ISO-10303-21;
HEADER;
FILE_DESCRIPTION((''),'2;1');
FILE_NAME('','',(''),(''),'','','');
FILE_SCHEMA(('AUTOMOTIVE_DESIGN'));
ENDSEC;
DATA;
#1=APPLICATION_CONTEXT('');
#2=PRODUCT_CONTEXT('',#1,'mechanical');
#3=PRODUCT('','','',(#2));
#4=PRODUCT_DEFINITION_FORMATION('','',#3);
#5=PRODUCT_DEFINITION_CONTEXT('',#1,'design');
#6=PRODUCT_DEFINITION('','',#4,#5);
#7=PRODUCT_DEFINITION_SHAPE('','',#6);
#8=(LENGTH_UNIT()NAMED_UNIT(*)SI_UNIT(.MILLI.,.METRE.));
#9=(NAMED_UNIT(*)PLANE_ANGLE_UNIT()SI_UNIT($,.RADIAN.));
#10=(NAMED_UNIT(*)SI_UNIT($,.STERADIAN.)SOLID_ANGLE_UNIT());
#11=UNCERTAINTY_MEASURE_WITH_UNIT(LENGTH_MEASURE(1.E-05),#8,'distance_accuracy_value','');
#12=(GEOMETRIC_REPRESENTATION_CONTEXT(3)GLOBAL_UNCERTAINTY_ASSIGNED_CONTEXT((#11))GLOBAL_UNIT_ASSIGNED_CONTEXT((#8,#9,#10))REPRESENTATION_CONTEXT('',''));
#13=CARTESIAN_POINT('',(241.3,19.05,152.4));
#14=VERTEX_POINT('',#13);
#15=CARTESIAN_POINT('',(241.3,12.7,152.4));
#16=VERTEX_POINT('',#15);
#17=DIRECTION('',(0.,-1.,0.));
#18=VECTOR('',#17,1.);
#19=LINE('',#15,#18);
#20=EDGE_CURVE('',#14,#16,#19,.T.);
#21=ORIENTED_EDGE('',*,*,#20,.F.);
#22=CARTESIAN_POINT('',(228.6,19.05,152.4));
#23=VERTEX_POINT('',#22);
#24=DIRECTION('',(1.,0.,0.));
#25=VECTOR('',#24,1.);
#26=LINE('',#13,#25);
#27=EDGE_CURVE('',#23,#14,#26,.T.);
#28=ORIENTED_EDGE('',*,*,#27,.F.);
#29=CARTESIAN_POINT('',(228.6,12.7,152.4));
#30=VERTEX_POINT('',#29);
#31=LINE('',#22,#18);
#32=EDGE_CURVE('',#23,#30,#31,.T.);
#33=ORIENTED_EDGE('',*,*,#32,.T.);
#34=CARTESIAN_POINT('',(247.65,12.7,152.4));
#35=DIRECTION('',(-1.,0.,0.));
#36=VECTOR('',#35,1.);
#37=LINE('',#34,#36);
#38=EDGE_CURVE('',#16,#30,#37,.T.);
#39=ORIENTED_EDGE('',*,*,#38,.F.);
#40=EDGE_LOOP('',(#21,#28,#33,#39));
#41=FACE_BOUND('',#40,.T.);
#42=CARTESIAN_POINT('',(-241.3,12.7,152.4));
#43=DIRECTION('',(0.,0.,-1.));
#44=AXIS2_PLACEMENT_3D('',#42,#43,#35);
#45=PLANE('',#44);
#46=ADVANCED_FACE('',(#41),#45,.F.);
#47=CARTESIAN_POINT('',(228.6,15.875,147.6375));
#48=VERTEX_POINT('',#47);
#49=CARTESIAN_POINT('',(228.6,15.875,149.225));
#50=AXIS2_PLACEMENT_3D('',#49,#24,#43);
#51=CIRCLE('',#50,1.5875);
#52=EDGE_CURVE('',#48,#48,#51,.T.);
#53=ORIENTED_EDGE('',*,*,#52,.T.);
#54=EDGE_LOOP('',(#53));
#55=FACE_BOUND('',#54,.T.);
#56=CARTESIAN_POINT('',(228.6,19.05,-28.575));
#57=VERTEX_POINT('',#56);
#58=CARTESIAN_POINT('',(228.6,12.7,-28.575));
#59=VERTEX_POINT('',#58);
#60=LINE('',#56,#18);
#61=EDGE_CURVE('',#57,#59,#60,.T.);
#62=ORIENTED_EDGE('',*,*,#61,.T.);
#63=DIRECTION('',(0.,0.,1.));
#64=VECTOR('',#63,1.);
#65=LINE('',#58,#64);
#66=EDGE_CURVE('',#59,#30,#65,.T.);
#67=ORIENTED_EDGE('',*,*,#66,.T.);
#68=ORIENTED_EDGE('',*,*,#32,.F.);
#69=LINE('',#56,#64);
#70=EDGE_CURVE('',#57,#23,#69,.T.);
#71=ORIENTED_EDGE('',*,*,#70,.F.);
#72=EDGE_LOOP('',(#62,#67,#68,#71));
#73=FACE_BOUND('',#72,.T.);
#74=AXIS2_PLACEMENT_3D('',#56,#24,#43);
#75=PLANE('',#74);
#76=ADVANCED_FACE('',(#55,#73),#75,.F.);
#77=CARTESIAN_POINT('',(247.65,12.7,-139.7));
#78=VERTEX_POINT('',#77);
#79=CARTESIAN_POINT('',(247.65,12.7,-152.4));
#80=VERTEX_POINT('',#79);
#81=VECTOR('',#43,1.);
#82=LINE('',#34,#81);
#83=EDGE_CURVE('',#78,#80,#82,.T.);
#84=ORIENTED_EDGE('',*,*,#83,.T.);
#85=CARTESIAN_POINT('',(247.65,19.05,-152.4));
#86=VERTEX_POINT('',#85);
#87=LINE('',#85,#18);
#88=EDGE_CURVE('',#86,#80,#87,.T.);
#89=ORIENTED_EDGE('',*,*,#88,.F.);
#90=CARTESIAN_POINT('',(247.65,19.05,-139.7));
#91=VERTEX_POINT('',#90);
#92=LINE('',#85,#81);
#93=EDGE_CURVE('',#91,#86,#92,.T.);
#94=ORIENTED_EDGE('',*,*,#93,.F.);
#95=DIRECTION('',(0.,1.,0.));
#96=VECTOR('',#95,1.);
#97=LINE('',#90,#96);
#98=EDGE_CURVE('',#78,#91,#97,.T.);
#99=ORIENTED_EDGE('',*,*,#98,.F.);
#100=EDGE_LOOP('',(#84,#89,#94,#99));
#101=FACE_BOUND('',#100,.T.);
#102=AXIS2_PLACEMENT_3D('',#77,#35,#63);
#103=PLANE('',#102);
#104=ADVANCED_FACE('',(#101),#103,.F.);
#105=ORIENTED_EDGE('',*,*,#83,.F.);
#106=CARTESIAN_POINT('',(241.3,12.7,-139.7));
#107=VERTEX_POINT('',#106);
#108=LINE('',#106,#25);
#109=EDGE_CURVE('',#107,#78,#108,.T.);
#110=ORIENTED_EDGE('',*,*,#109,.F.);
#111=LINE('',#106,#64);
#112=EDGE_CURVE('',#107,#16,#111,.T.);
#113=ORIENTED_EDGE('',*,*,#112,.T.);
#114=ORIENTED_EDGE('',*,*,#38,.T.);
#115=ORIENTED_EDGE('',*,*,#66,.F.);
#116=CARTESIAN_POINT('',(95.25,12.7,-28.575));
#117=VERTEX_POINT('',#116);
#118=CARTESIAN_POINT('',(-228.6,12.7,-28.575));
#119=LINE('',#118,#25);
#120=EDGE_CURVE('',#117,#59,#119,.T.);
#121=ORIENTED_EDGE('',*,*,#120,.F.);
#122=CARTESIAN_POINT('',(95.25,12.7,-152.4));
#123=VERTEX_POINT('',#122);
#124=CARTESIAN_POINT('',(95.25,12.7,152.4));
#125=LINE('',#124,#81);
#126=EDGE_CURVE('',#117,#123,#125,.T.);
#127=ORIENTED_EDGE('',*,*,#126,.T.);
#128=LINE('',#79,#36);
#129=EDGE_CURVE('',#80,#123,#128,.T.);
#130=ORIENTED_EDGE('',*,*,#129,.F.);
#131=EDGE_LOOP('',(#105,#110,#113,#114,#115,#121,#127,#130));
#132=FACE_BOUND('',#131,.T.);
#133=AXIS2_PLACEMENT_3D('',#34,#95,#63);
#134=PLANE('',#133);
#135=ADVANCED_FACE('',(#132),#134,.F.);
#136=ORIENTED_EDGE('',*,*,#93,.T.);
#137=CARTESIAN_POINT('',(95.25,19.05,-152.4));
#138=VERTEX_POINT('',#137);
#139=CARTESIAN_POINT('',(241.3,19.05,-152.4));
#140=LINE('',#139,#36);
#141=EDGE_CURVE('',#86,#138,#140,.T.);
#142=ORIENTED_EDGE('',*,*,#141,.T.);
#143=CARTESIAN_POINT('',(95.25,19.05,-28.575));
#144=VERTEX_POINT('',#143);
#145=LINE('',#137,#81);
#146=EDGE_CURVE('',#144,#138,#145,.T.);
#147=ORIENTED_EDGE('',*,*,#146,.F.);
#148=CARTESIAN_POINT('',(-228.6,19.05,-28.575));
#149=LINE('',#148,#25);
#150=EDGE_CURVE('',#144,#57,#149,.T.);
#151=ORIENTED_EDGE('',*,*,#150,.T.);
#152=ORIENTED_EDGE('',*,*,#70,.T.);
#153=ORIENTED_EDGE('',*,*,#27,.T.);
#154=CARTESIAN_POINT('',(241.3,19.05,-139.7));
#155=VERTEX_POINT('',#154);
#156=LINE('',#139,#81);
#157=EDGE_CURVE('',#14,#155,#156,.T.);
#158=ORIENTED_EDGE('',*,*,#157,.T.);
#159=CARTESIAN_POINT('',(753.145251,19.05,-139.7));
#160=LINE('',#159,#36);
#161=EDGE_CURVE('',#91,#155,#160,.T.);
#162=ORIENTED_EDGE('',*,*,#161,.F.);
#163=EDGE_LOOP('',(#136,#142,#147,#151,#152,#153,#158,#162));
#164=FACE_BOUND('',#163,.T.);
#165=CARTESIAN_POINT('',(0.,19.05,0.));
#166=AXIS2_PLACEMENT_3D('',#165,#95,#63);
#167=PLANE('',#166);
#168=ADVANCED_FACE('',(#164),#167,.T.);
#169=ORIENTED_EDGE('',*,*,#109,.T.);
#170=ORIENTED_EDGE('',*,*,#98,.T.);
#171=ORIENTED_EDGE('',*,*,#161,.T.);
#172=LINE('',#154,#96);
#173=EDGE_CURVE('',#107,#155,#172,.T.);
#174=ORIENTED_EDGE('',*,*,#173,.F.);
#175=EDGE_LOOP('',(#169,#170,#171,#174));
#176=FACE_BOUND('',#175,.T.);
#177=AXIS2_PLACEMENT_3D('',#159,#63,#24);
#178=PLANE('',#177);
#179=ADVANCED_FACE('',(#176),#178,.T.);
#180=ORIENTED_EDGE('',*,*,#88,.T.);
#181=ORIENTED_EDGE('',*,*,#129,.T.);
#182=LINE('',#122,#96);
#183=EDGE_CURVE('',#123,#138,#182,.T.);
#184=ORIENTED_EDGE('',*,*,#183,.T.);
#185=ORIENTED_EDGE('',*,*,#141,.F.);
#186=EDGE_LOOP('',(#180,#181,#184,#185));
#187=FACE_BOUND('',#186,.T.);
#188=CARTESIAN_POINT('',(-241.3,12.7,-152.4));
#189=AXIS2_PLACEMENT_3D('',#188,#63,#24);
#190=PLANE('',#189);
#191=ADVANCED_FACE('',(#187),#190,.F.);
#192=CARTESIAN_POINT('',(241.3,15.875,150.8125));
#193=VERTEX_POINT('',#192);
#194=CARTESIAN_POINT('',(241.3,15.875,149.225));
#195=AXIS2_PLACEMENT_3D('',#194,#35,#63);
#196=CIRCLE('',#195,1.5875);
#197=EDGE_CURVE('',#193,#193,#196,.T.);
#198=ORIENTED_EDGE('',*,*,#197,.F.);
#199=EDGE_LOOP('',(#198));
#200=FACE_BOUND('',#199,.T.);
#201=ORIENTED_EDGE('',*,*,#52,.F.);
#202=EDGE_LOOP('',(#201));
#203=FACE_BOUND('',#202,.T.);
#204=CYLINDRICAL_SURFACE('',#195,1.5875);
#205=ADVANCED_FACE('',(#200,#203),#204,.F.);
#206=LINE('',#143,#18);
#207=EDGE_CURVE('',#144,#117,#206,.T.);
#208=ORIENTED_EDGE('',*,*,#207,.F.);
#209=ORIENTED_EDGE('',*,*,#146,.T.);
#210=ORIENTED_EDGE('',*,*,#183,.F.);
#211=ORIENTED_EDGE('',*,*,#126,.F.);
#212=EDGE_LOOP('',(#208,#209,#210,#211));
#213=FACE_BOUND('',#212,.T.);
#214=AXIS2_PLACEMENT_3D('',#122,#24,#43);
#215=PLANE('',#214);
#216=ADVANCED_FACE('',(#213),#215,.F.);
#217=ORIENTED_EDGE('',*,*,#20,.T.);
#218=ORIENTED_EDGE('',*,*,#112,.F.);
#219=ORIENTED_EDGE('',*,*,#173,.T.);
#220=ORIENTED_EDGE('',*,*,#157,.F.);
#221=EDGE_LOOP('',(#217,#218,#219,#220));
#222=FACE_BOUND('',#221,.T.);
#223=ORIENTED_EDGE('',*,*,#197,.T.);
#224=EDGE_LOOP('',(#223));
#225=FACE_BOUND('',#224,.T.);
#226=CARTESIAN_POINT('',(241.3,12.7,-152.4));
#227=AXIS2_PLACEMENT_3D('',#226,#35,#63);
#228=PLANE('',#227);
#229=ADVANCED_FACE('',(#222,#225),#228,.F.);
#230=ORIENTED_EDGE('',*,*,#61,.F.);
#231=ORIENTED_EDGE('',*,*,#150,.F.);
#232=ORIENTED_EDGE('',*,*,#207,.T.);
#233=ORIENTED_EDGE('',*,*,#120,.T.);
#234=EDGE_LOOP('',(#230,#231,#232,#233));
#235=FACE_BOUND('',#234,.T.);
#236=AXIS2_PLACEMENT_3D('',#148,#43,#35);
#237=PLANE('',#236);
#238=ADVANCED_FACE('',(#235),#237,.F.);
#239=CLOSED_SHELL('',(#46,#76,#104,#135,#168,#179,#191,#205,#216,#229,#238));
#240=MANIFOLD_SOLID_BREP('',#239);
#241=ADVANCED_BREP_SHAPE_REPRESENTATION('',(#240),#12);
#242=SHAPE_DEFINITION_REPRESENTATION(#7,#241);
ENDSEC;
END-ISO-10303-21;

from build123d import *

# Parameters (mm, degrees)
SKETCH1_W           = 482.6
SKETCH1_H           = 304.8
BOSS_EXTRUDE1_DEPTH = 12.7
BOSS_EXTRUDE2_DEPTH = 6.35
SKETCH3_R           = 1.5875
CUT_EXTRUDE1_DEPTH  = 507.449822292
SKETCH4_W           = 6.35
SKETCH4_H           = 12.7
BOSS_EXTRUDE3_DEPTH = 292.1
SKETCH5_W           = 12.7
SKETCH5_H           = 19.05
BOSS_EXTRUDE4_DEPTH = 6.35
CUT_EXTRUDE2_START  = 6.35
CUT_EXTRUDE2_DEPTH  = 25.4
CUT_EXTRUDE3_START  = -488.95
CUT_EXTRUDE3_DEPTH  = 25.4
BOSS_EXTRUDE5_START = -2.54
BOSS_EXTRUDE5_DEPTH = 7.62
SKETCH13_W          = 304.8
SKETCH13_H          = 12.7
CUT_EXTRUDE4_DEPTH  = 519.566054134
SKETCH17_W          = 369.208963073
SKETCH17_H          = 308.023191689
CUT_EXTRUDE7_DEPTH  = 291.854955261


with BuildPart() as part:
    # Sketch1 → Boss-Extrude1 (new body)
    with BuildSketch(Plane(origin=(0, 0, 0), x_dir=(1, 0, 0), z_dir=(0, 1, 0))):
        Rectangle(SKETCH1_W, SKETCH1_H)
    extrude(amount=BOSS_EXTRUDE1_DEPTH)

    # Sketch2 → Boss-Extrude2 (add)
    with BuildSketch(Plane(origin=(0, 12.7, 0), x_dir=(1, 0, 0), z_dir=(0, 1, 0))):
        Polygon((-241.3, 152.4), (-228.6, 152.4), (228.6, 152.4), (241.3, 152.4), (241.3, -152.4), (228.6, -152.4), (228.6, 28.575), (-228.6, 28.575), (-228.6, -152.4), (-241.3, -152.4), align=None)
    extrude(amount=BOSS_EXTRUDE2_DEPTH)

    # Sketch3 → Cut-Extrude1 (cut, through all)
    with BuildSketch(Plane.ZY.offset(241.3)):
        with Locations((149.225, 15.875)):
            Circle(SKETCH3_R)
    extrude(amount=-CUT_EXTRUDE1_DEPTH, mode=Mode.SUBTRACT)

    # Sketch4 → Boss-Extrude3 (add)
    with BuildSketch(Plane.XY.offset(152.4)):
        with Locations((-244.475, 6.35)):
            Rectangle(SKETCH4_W, SKETCH4_H)
    boss_extrude3 = extrude(amount=-BOSS_EXTRUDE3_DEPTH)

    # Sketch5 → Boss-Extrude4 (add)
    with BuildSketch(Plane.ZY.offset(241.3)):
        with Locations((-146.05, 9.525)):
            Rectangle(SKETCH5_W, SKETCH5_H)
    boss_extrude4 = extrude(amount=BOSS_EXTRUDE4_DEPTH)

    # Mirror1: Boss-Extrude3, Boss-Extrude4 across plane
    add(boss_extrude3.mirror(Plane(origin=(0, 0, 0), x_dir=(0, 0, 1), z_dir=(1, 0, 0))))
    add(boss_extrude4.mirror(Plane(origin=(0, 0, 0), x_dir=(0, 0, 1), z_dir=(1, 0, 0))))

    # Sketch6 → Cut-Extrude2 (cut)
    with BuildSketch(Plane.ZY.offset(241.3).offset(CUT_EXTRUDE2_START)):
        with BuildLine():
            Line((147.32, 2.54), (128.27, 2.54))
            ThreePointArc((128.27, 2.54), (124.46, 6.35), (128.27, 10.16))
            Line((128.27, 10.16), (147.32, 10.16))
            ThreePointArc((147.32, 10.16), (151.13, 6.35), (147.32, 2.54))
        make_face()
    extrude(amount=-CUT_EXTRUDE2_DEPTH, mode=Mode.SUBTRACT)

    # Sketch6<2> → Cut-Extrude3 (cut)
    with BuildSketch(Plane.ZY.offset(241.3).offset(CUT_EXTRUDE3_START)):
        with BuildLine():
            Line((147.32, 2.54), (128.27, 2.54))
            ThreePointArc((128.27, 2.54), (124.46, 6.35), (128.27, 10.16))
            Line((128.27, 10.16), (147.32, 10.16))
            ThreePointArc((147.32, 10.16), (151.13, 6.35), (147.32, 2.54))
        make_face()
    extrude(amount=CUT_EXTRUDE3_DEPTH, mode=Mode.SUBTRACT)

    # Sketch11 → Boss-Extrude5 (add)
    with BuildSketch(Plane.XZ.offset(BOSS_EXTRUDE5_START)):
        Polygon((-247.65, 124.46), (-222.25, 124.46), (-222.25, 140.97), align=None)
    boss_extrude5 = extrude(amount=-BOSS_EXTRUDE5_DEPTH)

    # Mirror2: Boss-Extrude5 across plane
    add(boss_extrude5.mirror(Plane(origin=(0, 0, 0), x_dir=(0, 0, 1), z_dir=(1, 0, 0))))

    # Sketch13 → Cut-Extrude4 (cut, through all)
    with BuildSketch(Plane.ZY.offset(247.65)):
        with Locations((0, 6.35)):
            Rectangle(SKETCH13_W, SKETCH13_H)
    extrude(amount=-CUT_EXTRUDE4_DEPTH, mode=Mode.SUBTRACT)

    # Sketch17 → Cut-Extrude7 (cut, through all)
    with BuildSketch(Plane(origin=(0, 19.05, 0), x_dir=(1, 0, 0), z_dir=(0, 1, 0))):
        with Locations((-89.354481537, -1.611595845)):
            Rectangle(SKETCH17_W, SKETCH17_H)
    extrude(amount=-CUT_EXTRUDE7_DEPTH, mode=Mode.SUBTRACT)


solid = part.part
